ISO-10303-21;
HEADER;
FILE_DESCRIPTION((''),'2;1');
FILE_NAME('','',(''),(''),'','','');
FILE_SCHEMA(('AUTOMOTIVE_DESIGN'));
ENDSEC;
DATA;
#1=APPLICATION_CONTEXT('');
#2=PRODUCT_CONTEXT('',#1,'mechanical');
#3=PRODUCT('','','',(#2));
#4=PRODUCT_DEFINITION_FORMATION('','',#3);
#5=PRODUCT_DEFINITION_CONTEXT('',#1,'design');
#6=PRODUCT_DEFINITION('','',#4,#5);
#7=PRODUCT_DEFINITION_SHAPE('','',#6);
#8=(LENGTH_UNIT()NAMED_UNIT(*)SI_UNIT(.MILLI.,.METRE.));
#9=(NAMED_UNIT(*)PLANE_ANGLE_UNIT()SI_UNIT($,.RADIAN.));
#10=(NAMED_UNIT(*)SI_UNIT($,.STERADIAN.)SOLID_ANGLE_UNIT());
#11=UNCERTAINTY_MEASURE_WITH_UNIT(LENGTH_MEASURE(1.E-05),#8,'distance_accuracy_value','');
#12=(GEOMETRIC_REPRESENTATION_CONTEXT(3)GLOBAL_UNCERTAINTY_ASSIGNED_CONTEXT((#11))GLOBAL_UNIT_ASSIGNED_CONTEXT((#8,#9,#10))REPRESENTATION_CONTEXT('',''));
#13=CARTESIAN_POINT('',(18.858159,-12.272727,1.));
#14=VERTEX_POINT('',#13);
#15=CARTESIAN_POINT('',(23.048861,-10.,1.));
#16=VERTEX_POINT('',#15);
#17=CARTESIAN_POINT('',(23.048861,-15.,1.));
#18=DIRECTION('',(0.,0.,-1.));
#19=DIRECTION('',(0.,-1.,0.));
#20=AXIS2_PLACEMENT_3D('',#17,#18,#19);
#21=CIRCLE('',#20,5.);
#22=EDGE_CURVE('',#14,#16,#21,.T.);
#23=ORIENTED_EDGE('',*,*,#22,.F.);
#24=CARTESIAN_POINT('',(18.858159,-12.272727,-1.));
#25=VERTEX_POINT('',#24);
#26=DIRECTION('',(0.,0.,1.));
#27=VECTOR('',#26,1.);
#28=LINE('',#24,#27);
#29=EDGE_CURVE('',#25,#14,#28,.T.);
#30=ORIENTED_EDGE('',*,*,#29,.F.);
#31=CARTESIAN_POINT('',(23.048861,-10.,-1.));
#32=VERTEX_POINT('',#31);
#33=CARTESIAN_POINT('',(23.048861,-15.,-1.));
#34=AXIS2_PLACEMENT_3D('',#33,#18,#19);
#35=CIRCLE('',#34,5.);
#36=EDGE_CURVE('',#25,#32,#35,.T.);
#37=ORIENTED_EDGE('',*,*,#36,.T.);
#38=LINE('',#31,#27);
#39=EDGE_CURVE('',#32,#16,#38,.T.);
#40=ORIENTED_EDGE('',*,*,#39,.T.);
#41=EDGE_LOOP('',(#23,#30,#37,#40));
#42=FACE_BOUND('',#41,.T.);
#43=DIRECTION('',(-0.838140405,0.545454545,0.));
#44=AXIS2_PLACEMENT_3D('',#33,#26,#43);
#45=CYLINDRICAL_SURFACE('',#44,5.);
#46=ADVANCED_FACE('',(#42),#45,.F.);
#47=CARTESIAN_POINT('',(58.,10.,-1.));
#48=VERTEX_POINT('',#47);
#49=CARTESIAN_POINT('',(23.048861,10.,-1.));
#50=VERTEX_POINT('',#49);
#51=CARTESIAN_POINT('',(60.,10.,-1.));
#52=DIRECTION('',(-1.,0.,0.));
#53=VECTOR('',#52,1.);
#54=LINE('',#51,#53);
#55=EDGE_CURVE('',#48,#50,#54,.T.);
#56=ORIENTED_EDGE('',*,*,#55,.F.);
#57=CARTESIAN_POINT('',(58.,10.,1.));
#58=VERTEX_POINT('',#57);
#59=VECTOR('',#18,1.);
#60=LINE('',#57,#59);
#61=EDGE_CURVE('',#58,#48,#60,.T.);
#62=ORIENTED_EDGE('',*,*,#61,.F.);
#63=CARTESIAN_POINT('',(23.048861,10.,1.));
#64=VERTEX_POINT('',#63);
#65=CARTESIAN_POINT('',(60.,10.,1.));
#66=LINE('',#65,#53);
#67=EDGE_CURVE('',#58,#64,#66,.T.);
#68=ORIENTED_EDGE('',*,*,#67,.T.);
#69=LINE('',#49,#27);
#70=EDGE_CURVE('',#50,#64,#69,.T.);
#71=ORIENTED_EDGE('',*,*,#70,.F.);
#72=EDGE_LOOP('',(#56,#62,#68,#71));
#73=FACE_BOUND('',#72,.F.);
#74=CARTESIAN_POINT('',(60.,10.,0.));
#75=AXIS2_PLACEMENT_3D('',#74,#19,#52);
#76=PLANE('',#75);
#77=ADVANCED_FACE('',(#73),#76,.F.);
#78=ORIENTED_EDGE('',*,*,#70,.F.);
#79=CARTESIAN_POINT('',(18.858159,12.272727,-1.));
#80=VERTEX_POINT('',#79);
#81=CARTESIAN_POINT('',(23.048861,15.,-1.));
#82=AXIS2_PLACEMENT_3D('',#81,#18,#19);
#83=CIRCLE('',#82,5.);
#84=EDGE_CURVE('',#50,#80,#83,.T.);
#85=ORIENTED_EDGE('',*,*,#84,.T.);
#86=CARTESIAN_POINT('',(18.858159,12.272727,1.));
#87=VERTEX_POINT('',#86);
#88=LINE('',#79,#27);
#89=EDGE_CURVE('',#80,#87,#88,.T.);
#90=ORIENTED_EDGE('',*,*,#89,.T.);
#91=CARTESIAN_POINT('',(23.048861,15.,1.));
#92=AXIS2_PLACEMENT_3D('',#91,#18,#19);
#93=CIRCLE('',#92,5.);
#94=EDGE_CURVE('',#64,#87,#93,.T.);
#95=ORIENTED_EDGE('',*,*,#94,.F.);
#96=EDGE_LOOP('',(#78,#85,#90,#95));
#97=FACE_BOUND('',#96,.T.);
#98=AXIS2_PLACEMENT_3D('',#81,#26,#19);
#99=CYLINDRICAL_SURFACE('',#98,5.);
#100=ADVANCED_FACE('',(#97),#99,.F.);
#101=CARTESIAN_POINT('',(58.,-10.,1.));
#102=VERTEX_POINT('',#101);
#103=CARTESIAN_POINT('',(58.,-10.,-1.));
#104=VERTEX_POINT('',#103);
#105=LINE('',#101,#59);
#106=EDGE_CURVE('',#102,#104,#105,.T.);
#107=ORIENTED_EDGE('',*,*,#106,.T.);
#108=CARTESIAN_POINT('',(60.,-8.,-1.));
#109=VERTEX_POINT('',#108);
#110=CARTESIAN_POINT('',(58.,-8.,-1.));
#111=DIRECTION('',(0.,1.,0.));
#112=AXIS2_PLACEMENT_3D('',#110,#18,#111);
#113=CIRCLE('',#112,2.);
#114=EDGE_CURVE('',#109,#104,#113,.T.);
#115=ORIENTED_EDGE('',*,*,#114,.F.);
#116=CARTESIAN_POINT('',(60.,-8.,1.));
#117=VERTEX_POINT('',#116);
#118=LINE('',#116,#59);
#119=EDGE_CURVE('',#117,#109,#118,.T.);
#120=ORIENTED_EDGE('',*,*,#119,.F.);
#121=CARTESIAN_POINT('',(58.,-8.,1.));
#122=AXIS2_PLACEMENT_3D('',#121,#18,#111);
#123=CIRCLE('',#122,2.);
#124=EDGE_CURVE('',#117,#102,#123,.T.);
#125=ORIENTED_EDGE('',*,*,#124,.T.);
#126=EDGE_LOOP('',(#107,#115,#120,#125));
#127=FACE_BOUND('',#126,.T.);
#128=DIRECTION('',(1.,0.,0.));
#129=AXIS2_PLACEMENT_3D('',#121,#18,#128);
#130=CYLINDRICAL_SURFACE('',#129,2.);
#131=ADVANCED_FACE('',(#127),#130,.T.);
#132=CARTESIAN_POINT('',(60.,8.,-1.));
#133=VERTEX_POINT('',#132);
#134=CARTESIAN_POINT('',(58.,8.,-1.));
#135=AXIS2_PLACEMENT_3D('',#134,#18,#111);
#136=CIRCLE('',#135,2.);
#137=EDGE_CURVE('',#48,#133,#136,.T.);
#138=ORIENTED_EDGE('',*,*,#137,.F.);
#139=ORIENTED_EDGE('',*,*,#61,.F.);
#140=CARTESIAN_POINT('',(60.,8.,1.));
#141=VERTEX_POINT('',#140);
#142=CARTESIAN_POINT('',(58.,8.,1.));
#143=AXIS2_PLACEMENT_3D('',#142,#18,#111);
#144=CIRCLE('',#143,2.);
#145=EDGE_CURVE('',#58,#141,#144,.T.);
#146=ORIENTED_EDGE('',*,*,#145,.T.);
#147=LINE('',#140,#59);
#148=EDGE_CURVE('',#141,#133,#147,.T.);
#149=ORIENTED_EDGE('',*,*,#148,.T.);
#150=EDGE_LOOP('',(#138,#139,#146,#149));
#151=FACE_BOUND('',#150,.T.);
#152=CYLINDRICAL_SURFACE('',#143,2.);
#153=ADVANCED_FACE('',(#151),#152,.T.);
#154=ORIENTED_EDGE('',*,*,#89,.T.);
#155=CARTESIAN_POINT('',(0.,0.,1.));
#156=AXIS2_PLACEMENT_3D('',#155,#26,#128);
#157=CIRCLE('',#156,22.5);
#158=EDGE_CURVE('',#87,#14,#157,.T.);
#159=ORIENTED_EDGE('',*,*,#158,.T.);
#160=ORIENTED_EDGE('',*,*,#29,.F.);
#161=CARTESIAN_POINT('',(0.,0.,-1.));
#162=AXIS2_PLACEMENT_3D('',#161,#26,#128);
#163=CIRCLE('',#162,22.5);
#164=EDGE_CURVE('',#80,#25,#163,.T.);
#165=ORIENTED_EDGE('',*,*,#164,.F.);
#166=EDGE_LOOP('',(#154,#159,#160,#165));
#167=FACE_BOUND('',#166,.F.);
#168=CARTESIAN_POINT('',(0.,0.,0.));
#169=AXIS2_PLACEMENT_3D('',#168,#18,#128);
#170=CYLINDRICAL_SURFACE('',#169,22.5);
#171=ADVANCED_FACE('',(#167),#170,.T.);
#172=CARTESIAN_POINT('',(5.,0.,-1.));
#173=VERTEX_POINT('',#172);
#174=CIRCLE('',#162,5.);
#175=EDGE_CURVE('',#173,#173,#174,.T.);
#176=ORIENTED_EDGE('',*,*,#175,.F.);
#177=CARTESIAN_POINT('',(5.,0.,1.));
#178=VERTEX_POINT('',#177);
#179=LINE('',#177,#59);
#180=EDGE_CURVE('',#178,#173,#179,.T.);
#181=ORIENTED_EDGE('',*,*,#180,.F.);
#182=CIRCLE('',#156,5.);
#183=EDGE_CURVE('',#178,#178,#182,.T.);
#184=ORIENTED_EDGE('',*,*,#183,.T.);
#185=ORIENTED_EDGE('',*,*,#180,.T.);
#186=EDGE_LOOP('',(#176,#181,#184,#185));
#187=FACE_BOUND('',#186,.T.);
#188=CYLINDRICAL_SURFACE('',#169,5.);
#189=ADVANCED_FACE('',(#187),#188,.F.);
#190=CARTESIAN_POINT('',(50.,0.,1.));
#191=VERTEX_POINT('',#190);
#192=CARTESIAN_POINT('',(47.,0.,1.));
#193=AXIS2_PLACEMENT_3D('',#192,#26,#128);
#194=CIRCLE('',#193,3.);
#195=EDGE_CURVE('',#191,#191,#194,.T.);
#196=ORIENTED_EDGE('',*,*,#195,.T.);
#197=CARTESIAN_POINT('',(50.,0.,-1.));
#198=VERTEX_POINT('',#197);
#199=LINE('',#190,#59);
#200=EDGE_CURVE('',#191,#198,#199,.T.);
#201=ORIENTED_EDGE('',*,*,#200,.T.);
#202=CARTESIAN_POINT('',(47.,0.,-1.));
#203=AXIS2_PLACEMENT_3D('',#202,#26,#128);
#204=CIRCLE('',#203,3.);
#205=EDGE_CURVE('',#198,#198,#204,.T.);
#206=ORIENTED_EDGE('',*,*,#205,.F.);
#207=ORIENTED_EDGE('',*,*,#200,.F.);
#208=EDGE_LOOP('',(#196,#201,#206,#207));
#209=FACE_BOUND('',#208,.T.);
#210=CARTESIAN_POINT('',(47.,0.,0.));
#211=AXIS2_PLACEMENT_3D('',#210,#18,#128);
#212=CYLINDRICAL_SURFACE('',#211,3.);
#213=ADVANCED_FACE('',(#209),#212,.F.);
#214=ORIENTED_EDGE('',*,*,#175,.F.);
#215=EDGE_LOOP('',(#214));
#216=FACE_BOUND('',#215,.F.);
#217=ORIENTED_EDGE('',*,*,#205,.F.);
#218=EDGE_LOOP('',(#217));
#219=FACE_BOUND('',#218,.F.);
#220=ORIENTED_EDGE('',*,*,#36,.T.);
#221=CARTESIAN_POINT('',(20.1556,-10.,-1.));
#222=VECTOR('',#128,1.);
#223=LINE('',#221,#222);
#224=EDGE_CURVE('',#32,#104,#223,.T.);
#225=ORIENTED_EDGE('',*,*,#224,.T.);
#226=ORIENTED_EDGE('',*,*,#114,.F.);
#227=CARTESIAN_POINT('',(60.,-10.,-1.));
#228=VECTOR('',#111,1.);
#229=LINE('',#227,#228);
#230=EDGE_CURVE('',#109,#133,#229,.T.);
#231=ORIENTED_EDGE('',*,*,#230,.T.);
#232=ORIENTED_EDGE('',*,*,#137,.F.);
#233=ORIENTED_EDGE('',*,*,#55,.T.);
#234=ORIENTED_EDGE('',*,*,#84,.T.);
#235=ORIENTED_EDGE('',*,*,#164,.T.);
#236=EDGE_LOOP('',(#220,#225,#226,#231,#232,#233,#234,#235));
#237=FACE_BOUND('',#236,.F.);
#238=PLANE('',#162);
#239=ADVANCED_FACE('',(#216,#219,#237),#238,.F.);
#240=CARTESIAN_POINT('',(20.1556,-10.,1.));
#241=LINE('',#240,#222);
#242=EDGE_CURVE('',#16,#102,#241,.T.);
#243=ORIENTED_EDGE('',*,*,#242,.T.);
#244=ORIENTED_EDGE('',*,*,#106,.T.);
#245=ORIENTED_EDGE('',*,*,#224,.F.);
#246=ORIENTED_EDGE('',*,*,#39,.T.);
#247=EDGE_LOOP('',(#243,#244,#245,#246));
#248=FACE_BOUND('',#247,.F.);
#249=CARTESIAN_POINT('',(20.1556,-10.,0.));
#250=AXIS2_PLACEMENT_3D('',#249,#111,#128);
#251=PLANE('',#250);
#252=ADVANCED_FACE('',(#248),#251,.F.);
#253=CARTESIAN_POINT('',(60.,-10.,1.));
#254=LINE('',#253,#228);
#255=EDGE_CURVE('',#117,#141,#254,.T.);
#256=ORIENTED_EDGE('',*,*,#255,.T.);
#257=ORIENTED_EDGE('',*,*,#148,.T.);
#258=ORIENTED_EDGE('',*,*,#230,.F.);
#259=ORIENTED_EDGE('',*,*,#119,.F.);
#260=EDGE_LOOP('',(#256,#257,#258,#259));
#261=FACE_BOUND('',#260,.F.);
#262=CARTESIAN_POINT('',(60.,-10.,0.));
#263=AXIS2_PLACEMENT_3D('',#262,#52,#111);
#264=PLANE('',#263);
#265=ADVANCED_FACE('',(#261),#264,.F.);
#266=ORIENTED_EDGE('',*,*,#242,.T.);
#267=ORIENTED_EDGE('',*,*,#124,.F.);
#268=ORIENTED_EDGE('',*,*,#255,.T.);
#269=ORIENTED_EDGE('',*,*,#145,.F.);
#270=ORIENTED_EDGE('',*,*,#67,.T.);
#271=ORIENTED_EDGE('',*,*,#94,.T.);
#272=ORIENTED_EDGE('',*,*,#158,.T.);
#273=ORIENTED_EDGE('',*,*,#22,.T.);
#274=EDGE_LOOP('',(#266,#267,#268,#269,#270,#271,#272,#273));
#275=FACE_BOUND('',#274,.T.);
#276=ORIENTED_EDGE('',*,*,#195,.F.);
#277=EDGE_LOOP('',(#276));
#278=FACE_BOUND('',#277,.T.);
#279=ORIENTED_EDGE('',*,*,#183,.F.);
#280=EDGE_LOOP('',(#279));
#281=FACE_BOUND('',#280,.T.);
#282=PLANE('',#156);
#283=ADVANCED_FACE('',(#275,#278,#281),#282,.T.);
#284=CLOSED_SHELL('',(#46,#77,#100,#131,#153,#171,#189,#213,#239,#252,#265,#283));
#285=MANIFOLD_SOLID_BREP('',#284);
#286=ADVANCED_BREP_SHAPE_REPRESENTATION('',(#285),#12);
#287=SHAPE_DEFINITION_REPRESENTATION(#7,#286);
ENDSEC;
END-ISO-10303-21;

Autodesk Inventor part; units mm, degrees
ref_plane "YZ Plane" through (0, 0, 0) normal (1, 0, 0) x (0, 1, 0)
ref_plane "XZ Plane" through (0, 0, 0) normal (0, 1, 0) x (-1, 0, 0)
ref_plane "XY Plane" through (0, 0, 0) normal (0, 0, 1) x (1, 0, 0)
sketch "Sketch1" plane through (0, 0, 0) normal (0, 0, 1) x (1, 0, 0)
  circle A0 centre (0, 0) radius 22.5
  line L0 (162.5, 0) -> (-22.5, 0) construction
  circle A1 centre (0, 0) radius 5
  line L1 (60, 10) -> (20.1556, 10)
  line L2 (20.1556, 10) -> (20.1556, -10)
  line L3 (20.1556, -10) -> (60, -10)
  line L4 (60, -10) -> (60, 10)
  circle A2 centre (47, 0) radius 3
  point P0 (6.3, 21.6)
  point P1 (60, 0)
  dimension "d0" = 45
  dimension "d3" = 10
  dimension "d7" = 20
  dimension "d8" = 60
  dimension "d9" = 6
  dimension "d10" = 13
extrude "Extrusion1" add sketch "Sketch1" along normal mid plane 2
fillet "Fillet1" radius 5 2 edges at (20.1556, 10, 0) (20.1556, -10, 0)
fillet "Fillet2" radius 2 2 edges at (60, -10, 0) (60, 10, 0)
properties part number "stelscharnier onderkant" material "Stainless Steel"
